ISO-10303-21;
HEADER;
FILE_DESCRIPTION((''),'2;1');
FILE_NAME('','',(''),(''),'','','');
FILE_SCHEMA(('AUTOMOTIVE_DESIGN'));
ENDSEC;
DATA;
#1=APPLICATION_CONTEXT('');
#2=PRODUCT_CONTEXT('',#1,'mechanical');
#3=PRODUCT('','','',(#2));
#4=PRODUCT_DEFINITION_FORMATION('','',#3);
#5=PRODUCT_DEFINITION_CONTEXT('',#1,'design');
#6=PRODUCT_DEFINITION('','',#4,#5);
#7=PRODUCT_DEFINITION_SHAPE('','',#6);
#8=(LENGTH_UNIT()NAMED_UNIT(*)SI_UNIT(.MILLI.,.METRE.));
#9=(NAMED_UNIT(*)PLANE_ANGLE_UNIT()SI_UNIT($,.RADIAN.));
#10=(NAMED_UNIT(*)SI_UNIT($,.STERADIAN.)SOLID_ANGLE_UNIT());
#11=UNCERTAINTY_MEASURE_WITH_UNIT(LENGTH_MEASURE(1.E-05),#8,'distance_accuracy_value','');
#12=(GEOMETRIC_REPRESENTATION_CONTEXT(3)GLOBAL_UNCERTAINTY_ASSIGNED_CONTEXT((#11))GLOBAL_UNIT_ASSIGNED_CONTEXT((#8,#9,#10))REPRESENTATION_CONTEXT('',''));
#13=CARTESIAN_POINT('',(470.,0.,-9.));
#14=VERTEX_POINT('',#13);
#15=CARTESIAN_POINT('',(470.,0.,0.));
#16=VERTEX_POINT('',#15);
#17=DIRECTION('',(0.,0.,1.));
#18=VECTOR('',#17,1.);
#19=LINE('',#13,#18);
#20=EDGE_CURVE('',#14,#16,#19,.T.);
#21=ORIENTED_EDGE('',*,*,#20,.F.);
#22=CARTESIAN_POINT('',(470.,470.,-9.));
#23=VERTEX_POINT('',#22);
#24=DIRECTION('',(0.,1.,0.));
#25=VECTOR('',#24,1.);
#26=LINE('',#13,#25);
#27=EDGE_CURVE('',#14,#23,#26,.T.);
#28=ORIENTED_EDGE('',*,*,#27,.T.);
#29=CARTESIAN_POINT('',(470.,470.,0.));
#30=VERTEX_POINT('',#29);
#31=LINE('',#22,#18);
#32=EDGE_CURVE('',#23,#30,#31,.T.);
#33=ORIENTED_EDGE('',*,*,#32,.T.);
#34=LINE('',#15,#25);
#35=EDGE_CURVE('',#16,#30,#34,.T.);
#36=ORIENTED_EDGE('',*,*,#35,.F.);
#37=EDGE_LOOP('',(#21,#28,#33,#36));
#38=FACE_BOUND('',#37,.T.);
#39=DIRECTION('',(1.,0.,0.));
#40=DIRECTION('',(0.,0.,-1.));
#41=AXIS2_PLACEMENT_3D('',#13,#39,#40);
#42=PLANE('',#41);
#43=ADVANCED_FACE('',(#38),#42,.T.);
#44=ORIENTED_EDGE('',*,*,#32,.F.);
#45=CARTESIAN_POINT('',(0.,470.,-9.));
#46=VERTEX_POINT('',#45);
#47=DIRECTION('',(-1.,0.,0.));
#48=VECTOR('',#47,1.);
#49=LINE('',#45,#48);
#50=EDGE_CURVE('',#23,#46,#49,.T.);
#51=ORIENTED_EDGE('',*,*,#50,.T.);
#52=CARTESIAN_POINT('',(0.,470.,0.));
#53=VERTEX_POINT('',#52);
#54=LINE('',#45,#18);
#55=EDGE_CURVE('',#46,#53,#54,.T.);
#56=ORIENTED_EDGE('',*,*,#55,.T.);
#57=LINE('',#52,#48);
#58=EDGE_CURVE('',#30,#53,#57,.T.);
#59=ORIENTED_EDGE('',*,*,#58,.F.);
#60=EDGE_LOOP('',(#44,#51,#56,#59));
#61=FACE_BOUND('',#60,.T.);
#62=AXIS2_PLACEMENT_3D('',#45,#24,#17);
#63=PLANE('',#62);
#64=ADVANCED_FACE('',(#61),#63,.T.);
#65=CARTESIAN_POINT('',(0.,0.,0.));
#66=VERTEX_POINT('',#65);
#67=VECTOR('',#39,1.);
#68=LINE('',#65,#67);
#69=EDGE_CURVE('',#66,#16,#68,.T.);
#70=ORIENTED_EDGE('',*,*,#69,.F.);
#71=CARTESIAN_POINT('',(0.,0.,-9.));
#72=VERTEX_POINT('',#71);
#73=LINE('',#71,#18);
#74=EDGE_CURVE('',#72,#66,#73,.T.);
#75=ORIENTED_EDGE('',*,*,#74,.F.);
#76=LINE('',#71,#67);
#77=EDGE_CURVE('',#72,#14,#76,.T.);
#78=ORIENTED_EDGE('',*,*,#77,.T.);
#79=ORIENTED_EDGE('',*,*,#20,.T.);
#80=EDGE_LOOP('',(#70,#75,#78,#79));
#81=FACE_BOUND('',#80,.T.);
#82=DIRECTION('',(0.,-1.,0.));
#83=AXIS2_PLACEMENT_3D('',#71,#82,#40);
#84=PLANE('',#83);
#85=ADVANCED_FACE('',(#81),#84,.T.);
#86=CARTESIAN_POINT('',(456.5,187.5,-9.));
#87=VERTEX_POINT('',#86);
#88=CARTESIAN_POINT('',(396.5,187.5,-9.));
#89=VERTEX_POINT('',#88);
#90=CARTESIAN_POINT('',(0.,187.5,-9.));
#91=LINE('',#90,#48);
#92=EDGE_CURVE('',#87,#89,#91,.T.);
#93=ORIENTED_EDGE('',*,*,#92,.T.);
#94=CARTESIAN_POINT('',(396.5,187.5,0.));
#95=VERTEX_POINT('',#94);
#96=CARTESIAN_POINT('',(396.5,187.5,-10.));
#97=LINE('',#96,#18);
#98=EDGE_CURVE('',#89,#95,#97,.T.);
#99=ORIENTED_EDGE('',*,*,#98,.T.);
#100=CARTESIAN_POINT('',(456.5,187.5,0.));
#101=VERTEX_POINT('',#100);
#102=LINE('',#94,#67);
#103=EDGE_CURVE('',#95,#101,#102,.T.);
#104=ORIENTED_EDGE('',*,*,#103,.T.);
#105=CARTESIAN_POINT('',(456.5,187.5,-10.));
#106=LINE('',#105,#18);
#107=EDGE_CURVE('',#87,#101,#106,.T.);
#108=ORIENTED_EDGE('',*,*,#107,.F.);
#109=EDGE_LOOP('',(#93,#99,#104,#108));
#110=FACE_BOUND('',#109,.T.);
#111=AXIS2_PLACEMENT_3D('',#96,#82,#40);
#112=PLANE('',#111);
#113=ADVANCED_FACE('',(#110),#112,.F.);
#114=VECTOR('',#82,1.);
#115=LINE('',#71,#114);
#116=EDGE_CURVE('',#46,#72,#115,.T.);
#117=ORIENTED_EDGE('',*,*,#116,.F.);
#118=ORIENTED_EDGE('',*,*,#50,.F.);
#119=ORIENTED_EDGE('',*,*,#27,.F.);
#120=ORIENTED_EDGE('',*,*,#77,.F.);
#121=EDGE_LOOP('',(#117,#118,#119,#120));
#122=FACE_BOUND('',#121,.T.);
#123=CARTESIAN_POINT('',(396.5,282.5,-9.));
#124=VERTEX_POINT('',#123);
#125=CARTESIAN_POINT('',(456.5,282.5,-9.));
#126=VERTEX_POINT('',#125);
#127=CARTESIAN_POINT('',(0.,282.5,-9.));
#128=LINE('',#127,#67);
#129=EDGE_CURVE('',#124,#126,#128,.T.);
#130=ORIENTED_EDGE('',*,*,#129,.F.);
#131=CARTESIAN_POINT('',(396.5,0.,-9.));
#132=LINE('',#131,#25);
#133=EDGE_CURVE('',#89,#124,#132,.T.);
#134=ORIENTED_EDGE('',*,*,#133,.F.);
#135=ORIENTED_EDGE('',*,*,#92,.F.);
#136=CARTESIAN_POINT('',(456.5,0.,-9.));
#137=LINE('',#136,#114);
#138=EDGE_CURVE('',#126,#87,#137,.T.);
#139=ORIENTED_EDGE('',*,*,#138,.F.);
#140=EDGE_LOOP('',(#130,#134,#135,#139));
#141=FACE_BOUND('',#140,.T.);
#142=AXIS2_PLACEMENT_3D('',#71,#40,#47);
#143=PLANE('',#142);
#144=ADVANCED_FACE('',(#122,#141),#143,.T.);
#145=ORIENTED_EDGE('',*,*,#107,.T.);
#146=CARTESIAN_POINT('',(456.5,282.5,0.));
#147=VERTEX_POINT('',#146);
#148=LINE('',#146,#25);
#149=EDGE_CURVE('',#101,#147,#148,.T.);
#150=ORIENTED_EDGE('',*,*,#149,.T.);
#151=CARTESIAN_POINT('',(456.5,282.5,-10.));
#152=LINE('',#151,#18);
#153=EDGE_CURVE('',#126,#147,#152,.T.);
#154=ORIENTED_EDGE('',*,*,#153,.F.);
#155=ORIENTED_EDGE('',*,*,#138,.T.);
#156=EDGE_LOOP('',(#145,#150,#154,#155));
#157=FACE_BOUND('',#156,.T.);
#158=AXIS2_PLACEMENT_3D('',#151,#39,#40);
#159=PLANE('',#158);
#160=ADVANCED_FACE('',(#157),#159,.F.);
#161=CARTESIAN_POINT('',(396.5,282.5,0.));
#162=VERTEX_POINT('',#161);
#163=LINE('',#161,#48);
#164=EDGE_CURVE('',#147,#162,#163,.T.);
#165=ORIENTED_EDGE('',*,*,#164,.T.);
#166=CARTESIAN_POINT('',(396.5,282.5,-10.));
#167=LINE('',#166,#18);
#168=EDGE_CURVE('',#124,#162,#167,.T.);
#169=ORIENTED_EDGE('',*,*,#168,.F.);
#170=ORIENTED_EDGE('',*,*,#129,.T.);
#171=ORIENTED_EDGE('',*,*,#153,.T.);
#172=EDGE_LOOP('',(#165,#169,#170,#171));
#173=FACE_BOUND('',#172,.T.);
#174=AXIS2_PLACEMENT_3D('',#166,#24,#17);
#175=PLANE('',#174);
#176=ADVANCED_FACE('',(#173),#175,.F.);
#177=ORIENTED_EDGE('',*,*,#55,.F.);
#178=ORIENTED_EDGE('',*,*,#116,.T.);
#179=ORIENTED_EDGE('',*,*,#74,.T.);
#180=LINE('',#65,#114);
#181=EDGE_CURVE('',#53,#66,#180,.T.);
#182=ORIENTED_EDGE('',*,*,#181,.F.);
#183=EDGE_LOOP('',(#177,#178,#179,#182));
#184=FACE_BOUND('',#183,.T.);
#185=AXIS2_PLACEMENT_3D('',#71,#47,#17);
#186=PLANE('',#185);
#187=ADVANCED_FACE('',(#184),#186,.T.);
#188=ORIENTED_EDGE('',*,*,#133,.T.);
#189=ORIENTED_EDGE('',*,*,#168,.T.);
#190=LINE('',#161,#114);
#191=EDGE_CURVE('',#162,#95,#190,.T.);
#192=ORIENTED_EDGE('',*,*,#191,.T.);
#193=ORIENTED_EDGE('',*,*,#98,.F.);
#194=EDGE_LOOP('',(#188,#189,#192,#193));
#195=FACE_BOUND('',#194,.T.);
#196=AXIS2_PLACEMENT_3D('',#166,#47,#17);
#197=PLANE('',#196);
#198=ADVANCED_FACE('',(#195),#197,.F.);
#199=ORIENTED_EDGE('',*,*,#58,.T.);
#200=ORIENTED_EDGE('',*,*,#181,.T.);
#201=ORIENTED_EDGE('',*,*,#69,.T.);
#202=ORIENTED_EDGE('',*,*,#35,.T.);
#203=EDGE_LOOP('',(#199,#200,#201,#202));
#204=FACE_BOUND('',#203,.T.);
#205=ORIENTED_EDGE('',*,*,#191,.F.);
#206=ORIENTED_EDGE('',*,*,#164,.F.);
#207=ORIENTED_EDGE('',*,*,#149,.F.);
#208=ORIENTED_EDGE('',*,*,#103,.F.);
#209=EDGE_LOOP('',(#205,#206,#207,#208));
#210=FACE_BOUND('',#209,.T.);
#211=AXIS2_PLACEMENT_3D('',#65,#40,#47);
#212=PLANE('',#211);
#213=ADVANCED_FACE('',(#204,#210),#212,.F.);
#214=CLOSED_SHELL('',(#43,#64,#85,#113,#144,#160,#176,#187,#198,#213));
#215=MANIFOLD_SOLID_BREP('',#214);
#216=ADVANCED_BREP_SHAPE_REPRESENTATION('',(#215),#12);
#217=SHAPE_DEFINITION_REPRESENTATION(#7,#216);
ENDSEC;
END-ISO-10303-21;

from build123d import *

# Parameters (mm, degrees)
SZKIC1_W                    = 470
SZKIC1_H                    = 470
DODANIE_WYCI_GNI_CIE2_DEPTH = 9
SZKIC5_W                    = 60
SZKIC5_H                    = 95
WYTNIJ_WYCI_GNI_CIE1_DEPTH  = 10


with BuildPart() as part:
    # Szkic1 → Dodanie-wyciągnięcie2 (new body)
    with BuildSketch(Plane.XY):
        with Locations((235, 235)):
            Rectangle(SZKIC1_W, SZKIC1_H)
    extrude(amount=-DODANIE_WYCI_GNI_CIE2_DEPTH)

    # Szkic5 → Wytnij-wyciągnięcie1 (cut)
    with BuildSketch(Plane.XY):
        with Locations((426.5, 235)):
            Rectangle(SZKIC5_W, SZKIC5_H)
    extrude(amount=-WYTNIJ_WYCI_GNI_CIE1_DEPTH, mode=Mode.SUBTRACT)


solid = part.part
